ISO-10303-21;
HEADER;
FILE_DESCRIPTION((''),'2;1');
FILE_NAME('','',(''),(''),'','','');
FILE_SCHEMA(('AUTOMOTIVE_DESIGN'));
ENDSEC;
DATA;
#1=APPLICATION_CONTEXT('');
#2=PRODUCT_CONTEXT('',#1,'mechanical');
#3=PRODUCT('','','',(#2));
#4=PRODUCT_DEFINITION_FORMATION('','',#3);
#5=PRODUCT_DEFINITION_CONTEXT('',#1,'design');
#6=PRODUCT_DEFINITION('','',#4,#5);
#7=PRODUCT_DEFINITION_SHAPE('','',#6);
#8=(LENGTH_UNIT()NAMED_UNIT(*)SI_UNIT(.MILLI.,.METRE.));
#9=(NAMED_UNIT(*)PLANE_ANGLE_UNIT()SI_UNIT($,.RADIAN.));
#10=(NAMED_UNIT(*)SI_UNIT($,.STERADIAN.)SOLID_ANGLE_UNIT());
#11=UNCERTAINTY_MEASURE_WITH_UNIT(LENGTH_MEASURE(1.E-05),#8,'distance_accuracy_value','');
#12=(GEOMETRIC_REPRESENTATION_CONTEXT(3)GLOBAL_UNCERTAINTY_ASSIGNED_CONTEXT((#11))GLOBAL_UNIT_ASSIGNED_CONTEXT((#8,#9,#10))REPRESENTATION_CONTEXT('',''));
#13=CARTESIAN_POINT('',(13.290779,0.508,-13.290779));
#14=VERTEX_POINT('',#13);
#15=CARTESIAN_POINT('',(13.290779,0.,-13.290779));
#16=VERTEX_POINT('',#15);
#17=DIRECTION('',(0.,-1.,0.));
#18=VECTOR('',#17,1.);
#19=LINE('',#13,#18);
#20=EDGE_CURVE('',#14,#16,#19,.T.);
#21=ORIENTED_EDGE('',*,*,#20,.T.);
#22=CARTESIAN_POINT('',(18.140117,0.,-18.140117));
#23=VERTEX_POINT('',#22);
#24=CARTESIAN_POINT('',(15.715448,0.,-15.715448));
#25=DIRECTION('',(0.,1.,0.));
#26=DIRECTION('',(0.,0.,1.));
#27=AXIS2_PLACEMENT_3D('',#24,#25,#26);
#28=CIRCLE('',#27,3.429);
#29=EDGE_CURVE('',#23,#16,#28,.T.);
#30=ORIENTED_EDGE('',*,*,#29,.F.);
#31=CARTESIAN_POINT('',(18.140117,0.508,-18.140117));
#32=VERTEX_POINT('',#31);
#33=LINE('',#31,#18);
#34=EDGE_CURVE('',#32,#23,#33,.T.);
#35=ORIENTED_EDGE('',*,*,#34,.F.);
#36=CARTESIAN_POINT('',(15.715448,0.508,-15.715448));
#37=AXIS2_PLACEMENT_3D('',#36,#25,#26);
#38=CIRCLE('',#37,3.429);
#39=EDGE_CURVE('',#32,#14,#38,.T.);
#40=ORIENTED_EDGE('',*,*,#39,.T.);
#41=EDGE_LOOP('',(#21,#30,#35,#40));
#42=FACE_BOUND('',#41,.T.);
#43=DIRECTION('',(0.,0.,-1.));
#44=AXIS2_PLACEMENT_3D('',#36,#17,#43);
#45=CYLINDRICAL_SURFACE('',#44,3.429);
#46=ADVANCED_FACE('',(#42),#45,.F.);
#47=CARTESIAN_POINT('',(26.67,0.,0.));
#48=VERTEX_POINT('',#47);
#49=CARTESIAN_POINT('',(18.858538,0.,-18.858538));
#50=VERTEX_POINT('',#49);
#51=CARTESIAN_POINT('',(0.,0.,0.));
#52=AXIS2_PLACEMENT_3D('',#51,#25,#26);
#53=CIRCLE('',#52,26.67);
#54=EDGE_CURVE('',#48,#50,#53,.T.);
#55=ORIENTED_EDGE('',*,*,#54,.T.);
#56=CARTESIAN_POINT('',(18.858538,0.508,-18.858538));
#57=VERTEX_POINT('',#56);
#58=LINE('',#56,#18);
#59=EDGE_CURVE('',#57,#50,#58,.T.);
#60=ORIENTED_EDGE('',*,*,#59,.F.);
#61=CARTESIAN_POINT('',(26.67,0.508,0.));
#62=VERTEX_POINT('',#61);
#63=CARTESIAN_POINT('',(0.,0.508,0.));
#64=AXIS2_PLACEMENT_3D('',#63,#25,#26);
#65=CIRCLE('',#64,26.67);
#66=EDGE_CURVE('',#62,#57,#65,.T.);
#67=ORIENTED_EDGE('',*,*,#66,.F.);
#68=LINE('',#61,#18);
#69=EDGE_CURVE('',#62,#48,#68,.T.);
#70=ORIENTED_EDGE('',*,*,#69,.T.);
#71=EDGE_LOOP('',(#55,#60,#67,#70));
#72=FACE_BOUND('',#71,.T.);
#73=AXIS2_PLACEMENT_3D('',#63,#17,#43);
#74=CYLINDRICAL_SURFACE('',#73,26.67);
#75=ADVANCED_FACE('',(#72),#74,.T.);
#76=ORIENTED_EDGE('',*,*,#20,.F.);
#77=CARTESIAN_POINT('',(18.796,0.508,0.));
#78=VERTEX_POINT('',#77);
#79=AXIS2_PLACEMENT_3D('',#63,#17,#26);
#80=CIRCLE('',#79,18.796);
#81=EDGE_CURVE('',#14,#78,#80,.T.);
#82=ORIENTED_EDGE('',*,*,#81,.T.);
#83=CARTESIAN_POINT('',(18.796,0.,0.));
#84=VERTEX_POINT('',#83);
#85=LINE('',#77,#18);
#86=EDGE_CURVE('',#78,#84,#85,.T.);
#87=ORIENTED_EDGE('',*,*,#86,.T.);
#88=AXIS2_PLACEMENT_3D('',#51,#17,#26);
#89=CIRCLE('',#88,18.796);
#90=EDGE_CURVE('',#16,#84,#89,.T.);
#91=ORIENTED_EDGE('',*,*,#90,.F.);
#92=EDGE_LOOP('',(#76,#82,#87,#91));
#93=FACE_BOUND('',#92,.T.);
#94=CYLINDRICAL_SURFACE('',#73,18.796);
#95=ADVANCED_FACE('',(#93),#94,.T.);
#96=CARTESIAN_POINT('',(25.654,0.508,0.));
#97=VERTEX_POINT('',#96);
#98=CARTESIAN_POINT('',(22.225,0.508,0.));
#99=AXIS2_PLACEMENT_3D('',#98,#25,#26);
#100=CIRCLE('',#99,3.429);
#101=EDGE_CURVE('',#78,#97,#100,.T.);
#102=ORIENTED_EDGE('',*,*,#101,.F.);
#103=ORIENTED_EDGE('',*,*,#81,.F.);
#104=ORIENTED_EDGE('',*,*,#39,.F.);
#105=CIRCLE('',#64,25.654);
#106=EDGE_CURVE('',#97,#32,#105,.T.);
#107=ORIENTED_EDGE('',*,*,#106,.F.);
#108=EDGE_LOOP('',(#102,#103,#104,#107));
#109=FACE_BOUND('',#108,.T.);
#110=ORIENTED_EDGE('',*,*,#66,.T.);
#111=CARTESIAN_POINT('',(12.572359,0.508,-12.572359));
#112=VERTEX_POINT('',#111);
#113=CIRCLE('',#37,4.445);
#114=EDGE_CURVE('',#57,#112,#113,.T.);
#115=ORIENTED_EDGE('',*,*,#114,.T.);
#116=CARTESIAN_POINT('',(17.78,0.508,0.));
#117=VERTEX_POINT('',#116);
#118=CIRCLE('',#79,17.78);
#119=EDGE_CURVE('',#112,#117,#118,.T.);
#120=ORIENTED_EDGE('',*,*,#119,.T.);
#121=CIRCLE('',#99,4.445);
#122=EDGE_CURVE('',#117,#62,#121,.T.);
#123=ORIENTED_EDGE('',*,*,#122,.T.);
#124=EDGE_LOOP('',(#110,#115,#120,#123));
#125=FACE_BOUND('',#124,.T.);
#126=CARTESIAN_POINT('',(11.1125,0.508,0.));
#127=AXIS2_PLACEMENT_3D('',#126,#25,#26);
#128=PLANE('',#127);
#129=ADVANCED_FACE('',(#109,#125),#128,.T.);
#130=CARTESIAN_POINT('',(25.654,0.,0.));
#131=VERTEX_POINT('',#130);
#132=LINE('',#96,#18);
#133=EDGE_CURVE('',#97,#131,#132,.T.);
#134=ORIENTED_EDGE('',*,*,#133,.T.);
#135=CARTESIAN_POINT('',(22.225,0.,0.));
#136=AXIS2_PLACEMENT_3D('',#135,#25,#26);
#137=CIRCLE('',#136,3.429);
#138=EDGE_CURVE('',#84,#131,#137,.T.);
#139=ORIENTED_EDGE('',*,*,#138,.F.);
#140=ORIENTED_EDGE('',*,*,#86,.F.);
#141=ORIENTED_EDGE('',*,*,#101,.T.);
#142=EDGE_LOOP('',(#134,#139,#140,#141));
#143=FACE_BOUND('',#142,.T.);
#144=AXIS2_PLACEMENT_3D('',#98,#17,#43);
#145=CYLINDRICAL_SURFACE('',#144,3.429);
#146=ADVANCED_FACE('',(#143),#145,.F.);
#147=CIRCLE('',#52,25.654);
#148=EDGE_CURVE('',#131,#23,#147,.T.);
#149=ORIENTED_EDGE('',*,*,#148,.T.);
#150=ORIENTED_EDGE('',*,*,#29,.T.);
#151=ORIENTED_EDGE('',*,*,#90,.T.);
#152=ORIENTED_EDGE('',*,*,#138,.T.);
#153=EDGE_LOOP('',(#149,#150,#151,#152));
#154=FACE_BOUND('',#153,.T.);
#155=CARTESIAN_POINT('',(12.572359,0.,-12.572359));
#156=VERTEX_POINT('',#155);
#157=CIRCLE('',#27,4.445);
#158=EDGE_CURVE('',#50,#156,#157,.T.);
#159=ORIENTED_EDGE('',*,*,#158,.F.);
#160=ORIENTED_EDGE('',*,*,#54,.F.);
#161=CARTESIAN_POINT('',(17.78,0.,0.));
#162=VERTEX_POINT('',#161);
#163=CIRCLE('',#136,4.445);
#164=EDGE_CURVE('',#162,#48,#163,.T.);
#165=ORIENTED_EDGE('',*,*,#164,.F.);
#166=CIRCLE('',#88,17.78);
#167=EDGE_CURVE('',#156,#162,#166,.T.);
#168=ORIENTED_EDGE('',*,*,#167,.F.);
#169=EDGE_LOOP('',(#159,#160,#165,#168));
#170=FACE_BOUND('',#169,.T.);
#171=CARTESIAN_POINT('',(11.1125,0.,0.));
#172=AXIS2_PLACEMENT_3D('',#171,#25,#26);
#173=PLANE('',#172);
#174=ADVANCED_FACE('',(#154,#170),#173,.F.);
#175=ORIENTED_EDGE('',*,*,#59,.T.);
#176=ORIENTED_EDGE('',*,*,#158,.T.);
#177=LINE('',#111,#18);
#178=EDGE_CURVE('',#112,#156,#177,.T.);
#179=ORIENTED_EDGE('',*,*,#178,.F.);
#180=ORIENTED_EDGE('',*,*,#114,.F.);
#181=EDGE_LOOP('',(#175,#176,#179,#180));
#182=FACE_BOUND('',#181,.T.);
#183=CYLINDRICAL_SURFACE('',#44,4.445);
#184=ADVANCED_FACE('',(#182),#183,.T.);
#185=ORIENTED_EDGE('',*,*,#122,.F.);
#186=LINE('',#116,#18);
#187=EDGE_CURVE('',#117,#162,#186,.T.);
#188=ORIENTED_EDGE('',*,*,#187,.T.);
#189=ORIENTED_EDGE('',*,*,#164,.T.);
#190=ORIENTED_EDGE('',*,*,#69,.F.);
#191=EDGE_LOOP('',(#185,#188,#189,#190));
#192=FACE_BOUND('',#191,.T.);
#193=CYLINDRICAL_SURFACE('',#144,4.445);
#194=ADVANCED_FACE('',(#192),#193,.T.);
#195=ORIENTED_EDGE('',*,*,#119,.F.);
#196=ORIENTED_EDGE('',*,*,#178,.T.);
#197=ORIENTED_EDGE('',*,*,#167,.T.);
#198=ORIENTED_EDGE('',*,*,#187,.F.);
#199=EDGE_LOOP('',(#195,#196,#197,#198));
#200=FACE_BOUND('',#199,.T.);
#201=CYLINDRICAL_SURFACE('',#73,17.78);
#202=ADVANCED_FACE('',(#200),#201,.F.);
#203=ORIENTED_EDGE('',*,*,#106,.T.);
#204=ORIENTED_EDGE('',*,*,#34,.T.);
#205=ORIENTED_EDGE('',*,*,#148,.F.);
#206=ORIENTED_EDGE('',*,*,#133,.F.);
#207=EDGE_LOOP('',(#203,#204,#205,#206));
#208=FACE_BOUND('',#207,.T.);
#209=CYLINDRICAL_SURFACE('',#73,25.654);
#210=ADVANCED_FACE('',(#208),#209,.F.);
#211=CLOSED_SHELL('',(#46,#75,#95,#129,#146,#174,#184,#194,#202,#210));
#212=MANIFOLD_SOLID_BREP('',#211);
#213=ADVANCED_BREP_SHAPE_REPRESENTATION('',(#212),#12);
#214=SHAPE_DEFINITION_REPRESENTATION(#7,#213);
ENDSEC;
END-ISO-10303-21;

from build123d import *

# Parameters (mm, degrees)
BOSS_EXTRUDE1_DEPTH = 0.508


with BuildPart() as part:
    # Sketch1 → Boss-Extrude1 (new body)
    with BuildSketch(Plane(origin=(0, 0, 0), x_dir=(1, 0, 0), z_dir=(0, 1, 0))):
        with BuildLine():
            ThreePointArc((26.67, 0), (24.639867132, 10.206167141), (18.858537854, 18.858537854))
            ThreePointArc((18.858537854, 18.858537854), (12.572358569, 18.858537854), (12.572358569, 12.572358569))
            ThreePointArc((12.572358569, 12.572358569), (16.426578088, 6.804111427), (17.78, 0))
            ThreePointArc((17.78, 0), (22.225, -4.445), (26.67, 0))
        make_face()
        with BuildLine():
            ThreePointArc((25.654, 0), (23.701205527, 9.817360774), (18.140117365, 18.140117365))
            ThreePointArc((18.140117365, 18.140117365), (13.290779059, 18.140117365), (13.290779059, 13.290779059))
            ThreePointArc((13.290779059, 13.290779059), (17.365239693, 7.192917795), (18.796, 0))
            ThreePointArc((18.796, 0), (22.225, -3.429), (25.654, 0))
        make_face(mode=Mode.SUBTRACT)
    extrude(amount=BOSS_EXTRUDE1_DEPTH)


solid = part.part
